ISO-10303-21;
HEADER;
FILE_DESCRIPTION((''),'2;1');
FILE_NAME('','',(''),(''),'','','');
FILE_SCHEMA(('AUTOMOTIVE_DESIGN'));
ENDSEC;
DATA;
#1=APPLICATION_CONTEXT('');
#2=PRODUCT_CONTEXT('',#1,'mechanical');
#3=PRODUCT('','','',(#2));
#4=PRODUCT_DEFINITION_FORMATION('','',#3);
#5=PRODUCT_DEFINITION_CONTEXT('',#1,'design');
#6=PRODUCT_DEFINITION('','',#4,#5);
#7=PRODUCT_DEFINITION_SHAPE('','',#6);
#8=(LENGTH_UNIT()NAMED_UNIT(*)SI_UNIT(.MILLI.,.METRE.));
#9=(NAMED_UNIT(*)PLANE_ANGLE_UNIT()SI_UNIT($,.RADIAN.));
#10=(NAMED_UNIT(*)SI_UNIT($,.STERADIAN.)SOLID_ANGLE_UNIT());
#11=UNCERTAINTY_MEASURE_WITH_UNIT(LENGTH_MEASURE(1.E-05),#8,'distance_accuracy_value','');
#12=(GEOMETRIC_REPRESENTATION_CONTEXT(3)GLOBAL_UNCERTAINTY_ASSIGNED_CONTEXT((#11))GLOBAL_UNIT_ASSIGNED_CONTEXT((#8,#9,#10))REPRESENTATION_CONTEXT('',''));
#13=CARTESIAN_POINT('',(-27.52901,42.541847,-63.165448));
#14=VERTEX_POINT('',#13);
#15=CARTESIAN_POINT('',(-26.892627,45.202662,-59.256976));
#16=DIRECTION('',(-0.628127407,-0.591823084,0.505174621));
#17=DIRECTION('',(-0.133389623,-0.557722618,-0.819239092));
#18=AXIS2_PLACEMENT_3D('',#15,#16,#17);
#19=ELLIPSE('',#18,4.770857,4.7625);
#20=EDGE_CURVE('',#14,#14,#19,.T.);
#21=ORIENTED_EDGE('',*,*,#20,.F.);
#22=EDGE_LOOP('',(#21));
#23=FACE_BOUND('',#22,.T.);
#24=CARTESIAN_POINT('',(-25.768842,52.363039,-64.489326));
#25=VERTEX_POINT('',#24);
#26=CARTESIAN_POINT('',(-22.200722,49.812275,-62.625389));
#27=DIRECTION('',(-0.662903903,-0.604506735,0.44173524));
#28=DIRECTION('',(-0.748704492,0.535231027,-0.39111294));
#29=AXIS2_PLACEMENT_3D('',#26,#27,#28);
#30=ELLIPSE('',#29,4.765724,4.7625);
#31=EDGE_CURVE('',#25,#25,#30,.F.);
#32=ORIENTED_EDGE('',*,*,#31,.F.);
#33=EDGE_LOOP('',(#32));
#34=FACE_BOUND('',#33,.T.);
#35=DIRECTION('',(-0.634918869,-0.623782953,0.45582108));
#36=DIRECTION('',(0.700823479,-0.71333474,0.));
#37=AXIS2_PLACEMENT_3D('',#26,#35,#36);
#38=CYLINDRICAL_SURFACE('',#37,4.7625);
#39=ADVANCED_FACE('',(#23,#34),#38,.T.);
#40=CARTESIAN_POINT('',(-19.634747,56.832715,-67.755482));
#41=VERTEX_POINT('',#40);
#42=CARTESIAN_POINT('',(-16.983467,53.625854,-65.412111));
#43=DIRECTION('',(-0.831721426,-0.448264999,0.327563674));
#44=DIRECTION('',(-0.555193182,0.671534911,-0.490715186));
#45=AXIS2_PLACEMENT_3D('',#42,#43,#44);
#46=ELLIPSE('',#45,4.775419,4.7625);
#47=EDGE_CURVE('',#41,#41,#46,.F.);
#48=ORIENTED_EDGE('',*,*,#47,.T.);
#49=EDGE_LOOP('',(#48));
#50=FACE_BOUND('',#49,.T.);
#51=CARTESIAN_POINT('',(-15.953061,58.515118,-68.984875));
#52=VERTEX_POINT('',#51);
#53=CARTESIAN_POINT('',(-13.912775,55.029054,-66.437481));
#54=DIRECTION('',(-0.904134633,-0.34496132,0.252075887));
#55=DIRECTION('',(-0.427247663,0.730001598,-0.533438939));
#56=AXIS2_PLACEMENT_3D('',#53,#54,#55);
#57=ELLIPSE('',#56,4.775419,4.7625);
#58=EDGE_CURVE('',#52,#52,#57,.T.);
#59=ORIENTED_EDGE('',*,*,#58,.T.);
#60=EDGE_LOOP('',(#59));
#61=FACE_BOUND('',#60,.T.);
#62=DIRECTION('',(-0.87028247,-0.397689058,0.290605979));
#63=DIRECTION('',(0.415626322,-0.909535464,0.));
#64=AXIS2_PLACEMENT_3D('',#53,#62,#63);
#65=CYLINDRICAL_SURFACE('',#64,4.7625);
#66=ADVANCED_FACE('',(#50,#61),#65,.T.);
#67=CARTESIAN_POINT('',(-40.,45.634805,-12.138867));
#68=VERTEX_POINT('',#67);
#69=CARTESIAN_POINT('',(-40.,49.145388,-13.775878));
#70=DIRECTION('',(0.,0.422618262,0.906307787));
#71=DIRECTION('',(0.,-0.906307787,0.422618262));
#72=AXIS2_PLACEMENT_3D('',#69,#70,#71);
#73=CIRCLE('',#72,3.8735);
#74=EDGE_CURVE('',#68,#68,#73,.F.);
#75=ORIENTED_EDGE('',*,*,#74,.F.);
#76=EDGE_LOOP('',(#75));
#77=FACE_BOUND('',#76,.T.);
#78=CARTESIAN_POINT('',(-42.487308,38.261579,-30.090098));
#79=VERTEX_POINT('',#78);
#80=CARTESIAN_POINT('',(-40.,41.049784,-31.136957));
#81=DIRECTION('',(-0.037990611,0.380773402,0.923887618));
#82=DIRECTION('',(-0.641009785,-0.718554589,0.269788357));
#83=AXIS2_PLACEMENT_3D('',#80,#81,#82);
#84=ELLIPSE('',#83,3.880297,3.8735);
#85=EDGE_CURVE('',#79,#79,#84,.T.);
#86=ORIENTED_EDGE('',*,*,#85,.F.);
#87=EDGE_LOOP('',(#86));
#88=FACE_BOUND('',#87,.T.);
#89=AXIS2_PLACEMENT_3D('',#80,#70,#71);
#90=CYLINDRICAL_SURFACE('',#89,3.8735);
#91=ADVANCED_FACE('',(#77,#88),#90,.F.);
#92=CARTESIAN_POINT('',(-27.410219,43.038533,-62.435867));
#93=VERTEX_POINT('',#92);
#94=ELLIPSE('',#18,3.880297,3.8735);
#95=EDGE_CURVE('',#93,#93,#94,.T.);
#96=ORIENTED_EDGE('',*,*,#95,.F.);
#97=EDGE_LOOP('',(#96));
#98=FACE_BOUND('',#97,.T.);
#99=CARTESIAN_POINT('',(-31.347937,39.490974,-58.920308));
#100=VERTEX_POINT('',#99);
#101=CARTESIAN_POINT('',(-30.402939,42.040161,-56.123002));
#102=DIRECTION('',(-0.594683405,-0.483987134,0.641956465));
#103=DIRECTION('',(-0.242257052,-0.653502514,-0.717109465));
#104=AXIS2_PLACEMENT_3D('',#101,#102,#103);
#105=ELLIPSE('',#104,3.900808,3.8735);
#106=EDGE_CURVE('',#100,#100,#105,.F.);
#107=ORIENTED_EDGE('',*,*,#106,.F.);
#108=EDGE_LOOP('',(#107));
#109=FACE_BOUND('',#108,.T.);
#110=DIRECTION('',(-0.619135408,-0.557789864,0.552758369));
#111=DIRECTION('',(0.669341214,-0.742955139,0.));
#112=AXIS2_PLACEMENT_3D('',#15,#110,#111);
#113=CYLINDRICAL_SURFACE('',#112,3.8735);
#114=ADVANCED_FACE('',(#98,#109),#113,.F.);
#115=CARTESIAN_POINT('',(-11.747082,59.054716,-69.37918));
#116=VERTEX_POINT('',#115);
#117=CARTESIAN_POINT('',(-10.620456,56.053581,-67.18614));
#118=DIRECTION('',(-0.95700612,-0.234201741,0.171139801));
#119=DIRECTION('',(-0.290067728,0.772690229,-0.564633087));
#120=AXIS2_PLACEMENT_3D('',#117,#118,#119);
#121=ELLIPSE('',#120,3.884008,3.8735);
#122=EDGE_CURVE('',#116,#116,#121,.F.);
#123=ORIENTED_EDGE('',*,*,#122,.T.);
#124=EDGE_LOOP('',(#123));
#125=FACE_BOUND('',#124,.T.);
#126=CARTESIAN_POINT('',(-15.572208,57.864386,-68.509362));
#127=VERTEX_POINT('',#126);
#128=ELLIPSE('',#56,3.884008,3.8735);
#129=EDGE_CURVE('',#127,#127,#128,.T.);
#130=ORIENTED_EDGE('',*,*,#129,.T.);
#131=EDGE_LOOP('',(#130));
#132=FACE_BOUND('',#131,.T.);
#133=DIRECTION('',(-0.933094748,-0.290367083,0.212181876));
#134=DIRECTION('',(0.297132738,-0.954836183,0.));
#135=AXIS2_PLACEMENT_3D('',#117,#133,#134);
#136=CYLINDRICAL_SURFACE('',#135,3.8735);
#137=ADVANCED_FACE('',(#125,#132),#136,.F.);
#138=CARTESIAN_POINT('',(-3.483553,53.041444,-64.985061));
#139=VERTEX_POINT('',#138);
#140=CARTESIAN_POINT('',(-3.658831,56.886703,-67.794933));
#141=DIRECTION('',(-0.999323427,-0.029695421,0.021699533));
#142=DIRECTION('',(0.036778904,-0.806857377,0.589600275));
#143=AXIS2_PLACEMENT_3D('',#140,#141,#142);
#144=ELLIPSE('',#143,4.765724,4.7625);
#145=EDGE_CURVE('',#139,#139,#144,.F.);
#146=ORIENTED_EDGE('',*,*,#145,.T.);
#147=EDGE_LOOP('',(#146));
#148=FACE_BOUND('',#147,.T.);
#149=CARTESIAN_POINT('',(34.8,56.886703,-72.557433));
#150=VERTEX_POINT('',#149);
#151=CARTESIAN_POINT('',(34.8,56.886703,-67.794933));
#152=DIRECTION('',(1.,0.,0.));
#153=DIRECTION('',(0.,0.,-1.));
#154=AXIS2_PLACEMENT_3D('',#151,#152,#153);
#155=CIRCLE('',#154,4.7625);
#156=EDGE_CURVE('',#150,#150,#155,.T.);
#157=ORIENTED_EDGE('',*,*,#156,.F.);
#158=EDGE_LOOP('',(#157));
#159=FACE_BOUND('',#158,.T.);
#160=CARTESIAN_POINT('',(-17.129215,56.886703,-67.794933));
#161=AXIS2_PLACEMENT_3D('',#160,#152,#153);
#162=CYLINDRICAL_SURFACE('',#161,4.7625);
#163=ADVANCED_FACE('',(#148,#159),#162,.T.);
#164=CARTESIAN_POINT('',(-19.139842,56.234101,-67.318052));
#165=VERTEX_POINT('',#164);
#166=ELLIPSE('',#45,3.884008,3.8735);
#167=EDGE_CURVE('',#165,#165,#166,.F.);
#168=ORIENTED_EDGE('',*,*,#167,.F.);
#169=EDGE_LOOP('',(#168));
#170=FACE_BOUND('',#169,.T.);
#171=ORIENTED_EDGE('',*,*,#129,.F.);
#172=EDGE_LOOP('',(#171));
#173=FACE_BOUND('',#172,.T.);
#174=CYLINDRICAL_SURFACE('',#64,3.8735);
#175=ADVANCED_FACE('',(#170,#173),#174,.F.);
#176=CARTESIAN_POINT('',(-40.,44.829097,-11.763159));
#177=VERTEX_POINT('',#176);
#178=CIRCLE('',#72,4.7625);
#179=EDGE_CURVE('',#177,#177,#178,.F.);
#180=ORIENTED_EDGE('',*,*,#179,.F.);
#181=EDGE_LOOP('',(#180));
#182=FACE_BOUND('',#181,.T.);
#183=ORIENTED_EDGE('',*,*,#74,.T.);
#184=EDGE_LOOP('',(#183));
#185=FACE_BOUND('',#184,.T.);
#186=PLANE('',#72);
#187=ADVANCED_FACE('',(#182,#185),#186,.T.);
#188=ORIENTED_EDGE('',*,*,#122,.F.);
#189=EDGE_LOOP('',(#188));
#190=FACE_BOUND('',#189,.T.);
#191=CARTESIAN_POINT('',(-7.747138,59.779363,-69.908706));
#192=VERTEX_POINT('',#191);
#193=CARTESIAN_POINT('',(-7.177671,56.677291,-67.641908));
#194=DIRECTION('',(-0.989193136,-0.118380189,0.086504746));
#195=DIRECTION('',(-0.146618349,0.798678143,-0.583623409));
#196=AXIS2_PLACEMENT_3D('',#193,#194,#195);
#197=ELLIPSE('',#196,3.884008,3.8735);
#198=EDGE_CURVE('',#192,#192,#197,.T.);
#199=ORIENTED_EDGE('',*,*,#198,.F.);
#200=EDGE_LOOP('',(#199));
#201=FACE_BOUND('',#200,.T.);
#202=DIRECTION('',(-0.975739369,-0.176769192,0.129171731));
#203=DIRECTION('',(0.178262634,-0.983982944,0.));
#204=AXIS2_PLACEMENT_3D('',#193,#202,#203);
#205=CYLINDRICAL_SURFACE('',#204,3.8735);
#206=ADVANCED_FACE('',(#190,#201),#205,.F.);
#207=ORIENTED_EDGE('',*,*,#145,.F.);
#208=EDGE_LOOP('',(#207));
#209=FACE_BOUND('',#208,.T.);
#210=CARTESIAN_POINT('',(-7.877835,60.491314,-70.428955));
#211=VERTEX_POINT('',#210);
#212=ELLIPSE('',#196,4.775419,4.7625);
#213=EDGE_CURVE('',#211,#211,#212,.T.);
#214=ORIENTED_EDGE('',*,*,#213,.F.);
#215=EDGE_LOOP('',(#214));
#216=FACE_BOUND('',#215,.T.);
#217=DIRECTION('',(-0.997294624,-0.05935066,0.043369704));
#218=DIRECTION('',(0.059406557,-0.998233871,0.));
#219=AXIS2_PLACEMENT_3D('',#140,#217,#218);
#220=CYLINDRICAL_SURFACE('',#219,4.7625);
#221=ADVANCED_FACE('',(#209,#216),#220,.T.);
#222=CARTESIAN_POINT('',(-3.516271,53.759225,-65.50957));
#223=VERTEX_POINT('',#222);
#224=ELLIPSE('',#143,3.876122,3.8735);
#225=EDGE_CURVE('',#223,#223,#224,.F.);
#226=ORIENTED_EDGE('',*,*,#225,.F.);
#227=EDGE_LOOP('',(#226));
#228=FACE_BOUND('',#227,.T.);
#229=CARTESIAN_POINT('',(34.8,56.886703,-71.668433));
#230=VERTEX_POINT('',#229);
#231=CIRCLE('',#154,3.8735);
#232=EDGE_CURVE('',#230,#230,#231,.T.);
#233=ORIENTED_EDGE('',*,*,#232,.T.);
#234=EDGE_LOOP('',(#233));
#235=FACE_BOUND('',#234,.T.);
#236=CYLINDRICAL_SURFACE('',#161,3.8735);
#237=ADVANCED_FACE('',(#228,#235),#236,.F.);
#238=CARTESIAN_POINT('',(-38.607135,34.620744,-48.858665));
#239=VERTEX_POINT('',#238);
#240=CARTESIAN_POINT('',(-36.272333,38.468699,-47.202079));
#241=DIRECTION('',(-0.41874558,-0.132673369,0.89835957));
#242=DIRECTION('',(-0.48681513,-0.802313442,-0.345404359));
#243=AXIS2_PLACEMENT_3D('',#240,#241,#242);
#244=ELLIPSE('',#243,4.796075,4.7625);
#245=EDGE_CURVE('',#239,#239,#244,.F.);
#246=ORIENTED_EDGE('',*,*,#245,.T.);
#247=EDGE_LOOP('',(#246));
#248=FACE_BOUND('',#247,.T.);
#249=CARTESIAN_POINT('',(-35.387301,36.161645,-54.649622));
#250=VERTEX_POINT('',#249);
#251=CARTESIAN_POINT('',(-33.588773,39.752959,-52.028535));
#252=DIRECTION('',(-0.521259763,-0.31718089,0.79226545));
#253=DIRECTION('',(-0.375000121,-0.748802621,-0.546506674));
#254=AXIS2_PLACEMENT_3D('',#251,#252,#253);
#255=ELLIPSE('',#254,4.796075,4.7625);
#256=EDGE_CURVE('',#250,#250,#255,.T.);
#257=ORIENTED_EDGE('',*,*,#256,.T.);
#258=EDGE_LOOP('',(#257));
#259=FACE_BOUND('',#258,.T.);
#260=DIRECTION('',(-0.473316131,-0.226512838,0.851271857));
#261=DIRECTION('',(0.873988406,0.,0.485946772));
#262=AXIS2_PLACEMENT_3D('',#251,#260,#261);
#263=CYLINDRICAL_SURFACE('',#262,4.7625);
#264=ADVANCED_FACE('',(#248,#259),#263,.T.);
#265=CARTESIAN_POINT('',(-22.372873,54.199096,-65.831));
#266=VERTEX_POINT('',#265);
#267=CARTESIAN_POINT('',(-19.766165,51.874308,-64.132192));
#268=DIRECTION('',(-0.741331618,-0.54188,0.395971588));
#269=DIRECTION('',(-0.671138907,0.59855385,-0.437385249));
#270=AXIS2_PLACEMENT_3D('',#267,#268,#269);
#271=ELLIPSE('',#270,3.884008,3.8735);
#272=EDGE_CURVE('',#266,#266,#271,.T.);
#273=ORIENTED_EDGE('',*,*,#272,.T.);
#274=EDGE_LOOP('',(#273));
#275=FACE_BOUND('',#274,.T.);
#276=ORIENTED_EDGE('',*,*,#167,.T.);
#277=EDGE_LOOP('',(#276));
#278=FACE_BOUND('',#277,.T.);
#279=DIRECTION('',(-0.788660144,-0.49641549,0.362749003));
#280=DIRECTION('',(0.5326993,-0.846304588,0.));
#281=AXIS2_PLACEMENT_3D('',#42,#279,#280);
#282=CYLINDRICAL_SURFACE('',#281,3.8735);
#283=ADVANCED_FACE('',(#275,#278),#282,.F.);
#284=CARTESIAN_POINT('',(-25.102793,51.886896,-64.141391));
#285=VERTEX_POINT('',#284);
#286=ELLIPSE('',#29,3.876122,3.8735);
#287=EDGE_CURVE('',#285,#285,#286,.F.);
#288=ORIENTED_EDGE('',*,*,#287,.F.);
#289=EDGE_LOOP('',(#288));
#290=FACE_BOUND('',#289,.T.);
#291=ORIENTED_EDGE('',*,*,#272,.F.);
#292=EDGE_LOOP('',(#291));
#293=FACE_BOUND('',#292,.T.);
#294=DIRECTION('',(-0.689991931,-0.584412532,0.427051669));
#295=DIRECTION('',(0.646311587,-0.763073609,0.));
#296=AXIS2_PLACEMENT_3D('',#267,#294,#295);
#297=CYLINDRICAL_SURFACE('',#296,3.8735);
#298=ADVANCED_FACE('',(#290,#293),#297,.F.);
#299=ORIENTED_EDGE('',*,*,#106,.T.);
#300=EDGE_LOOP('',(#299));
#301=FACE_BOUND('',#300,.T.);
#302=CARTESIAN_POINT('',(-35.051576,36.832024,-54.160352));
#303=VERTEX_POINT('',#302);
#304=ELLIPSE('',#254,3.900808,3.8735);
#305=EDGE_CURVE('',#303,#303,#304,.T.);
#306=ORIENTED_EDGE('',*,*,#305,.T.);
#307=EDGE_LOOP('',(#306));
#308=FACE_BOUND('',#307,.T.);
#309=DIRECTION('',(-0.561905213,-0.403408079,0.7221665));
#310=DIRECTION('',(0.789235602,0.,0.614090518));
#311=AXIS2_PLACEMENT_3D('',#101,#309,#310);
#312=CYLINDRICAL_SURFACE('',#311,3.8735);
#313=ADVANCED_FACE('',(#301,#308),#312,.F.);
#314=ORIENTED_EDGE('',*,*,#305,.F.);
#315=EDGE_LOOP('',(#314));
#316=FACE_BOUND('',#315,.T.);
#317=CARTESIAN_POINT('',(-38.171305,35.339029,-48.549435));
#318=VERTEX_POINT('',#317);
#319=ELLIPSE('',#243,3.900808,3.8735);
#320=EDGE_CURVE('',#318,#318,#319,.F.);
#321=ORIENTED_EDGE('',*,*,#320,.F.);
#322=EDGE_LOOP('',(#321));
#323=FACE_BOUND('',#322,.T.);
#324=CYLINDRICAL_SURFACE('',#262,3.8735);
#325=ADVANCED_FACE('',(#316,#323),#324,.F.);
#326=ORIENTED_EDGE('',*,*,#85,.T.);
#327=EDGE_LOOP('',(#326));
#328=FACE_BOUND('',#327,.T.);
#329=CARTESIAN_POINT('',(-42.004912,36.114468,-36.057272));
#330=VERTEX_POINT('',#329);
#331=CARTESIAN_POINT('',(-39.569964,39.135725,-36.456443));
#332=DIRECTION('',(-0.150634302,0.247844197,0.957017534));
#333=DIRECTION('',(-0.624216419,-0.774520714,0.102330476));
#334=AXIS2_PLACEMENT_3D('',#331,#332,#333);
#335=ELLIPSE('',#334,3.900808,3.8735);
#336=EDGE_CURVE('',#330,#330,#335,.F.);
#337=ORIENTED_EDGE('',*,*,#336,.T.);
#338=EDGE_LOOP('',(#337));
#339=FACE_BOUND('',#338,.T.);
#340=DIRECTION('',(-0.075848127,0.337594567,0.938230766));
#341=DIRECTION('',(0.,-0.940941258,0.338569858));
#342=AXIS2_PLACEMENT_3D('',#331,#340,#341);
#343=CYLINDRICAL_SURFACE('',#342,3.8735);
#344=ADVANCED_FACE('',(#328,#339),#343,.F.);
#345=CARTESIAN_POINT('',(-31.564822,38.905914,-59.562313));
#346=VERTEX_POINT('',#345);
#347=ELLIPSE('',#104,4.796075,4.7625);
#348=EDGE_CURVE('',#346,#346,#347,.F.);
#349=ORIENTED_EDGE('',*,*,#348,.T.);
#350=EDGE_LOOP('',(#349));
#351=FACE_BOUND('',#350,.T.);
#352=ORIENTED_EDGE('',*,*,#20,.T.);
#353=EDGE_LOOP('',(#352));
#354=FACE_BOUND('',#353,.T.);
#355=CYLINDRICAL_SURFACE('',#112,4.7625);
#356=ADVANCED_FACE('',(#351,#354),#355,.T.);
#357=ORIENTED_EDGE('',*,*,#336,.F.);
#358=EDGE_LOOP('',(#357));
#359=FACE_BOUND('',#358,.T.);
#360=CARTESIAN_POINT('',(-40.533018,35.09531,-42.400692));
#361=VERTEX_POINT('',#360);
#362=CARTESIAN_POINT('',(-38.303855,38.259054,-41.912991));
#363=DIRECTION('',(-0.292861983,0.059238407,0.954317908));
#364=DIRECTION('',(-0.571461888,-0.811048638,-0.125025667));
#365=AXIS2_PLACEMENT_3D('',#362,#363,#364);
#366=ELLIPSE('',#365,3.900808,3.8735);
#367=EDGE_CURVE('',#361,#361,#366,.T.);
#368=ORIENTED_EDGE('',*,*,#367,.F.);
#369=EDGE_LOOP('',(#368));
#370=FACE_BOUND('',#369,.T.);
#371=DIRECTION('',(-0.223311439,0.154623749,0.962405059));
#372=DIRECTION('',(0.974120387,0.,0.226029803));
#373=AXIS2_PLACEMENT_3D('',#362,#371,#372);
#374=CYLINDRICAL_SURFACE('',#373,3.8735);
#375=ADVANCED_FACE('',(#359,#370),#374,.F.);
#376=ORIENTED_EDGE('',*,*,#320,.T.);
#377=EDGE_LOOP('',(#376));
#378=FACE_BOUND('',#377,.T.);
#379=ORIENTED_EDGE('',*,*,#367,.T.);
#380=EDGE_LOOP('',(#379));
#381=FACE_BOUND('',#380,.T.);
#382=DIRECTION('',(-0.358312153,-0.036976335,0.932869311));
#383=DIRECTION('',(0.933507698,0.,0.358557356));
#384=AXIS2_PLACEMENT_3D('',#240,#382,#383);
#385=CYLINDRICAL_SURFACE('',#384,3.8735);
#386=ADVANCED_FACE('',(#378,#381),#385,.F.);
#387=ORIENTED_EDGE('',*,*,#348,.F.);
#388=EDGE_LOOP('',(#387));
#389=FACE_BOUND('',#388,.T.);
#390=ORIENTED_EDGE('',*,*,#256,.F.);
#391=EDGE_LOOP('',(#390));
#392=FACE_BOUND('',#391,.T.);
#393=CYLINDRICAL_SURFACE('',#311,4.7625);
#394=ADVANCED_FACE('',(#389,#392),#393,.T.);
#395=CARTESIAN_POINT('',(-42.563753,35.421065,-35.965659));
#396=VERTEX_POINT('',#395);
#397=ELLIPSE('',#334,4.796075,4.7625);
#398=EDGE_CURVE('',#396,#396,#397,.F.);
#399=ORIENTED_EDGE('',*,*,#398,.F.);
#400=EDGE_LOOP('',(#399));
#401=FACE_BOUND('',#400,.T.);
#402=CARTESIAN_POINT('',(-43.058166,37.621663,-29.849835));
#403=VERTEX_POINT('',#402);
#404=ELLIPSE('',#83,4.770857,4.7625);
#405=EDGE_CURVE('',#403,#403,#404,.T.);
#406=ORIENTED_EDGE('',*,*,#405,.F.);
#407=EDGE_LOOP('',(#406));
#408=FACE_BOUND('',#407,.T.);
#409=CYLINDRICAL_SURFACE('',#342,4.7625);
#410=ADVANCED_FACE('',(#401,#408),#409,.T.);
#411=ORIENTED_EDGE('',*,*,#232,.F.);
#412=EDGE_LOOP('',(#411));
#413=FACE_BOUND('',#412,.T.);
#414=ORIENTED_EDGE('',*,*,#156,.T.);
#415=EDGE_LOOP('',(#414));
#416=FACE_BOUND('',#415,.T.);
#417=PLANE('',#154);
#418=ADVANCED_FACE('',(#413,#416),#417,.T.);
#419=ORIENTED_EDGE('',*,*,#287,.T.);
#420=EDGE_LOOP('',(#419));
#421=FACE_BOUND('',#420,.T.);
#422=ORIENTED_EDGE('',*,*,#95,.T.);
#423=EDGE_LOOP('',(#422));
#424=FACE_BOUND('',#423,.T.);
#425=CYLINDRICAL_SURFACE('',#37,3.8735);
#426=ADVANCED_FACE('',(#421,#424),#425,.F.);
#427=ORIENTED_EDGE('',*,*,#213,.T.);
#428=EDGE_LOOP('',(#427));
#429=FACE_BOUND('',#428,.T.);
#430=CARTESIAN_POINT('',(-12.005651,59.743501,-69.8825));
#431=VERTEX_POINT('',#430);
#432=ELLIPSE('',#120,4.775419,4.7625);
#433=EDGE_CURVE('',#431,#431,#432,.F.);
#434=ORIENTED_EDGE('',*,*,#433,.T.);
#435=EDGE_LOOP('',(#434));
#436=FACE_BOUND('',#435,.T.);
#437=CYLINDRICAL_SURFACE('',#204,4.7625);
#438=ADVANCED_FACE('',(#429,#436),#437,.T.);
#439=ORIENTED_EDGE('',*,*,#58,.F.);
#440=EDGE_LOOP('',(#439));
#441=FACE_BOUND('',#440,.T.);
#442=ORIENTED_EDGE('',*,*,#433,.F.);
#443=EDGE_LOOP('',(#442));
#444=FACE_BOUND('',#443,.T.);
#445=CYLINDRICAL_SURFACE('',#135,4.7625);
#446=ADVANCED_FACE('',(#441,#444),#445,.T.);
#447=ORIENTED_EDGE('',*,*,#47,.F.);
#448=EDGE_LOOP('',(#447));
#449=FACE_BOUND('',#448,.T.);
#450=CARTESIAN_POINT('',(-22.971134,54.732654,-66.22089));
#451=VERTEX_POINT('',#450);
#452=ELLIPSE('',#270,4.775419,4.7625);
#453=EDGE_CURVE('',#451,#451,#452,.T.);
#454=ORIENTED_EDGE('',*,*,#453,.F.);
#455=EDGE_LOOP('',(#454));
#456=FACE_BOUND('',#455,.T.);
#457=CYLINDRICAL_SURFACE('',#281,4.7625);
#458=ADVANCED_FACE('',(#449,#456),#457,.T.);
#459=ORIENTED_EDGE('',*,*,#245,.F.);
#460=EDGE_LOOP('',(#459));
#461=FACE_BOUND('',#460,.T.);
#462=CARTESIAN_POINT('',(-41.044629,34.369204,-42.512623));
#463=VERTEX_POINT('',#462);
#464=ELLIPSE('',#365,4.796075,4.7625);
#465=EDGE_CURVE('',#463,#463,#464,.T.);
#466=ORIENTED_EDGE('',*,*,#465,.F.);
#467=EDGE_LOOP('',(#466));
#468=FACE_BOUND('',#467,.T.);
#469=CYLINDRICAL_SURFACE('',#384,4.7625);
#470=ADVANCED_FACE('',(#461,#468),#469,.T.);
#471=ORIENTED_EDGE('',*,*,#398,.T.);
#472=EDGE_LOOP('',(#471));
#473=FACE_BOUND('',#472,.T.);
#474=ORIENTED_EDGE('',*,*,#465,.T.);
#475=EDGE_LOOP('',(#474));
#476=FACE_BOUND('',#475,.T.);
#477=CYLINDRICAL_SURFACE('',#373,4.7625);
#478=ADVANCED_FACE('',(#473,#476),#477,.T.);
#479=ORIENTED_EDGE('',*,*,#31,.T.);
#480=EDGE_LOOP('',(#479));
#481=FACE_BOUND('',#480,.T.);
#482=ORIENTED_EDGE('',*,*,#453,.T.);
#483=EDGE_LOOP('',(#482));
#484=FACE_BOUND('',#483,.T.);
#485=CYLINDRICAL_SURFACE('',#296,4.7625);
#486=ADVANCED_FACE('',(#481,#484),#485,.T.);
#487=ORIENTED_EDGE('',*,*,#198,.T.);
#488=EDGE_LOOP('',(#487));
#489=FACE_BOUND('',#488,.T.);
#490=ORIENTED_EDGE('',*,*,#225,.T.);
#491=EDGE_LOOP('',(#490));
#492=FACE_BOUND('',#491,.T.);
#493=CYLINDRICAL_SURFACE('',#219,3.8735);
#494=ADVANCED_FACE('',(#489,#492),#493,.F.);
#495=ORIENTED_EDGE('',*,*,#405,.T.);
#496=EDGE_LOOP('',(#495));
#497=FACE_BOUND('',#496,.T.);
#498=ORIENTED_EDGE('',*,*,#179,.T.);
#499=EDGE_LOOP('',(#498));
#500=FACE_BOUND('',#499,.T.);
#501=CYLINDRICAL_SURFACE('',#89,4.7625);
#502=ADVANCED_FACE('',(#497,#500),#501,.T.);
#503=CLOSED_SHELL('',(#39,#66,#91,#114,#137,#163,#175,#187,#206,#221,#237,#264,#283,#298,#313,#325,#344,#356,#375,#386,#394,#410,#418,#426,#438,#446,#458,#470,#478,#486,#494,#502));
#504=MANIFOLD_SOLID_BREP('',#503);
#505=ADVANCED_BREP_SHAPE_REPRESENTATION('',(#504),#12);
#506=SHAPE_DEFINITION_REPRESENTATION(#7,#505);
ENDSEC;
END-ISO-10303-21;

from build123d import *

# Parameters (mm, degrees)
PROFILE_R   = 4.7625
PROFILE_R_2 = 3.8735


with BuildPart() as part:
    # Tube: sweep along a curve in space
    with BuildLine() as tube_path:
        Line((34.8, 56.886703457, -67.794933216), (-3.658830738, 56.886703457, -67.794933216))
        Line((-3.658830738, 56.886703457, -67.794933216), (-7.177671109, 56.677291419, -67.64190816))
        Line((-7.177671109, 56.677291419, -67.64190816), (-10.620456219, 56.05358148, -67.186140434))
        Line((-10.620456219, 56.05358148, -67.186140434), (-13.912774646, 55.029054336, -66.437480878))
        Line((-13.912774646, 55.029054336, -66.437480878), (-16.983467114, 53.62585384, -65.412110816))
        Line((-16.983467114, 53.62585384, -65.412110816), (-19.766164508, 51.874308385, -64.132192319))
        Line((-19.766164508, 51.874308385, -64.132192319), (-22.200722363, 49.812275401, -62.625389198))
        Line((-22.200722363, 49.812275401, -62.625389198), (-26.892627421, 45.202662211, -59.256975793))
        Line((-26.892627421, 45.202662211, -59.256975793), (-30.402939092, 42.040161338, -56.123001981))
        Line((-30.402939092, 42.040161338, -56.123001981), (-33.588772762, 39.752958781, -52.028534988))
        Line((-33.588772762, 39.752958781, -52.028534988), (-36.272332962, 38.468699075, -47.202079423))
        Line((-36.272332962, 38.468699075, -47.202079423), (-38.303855175, 38.25905437, -41.91299082))
        Line((-38.303855175, 38.25905437, -41.91299082), (-39.569963915, 39.13572455, -36.456443402))
        Line((-39.569963915, 39.13572455, -36.456443402), (-40, 41.049784277, -31.136956962))
        Line((-40, 41.049784277, -31.136956962), (-40, 49.145388181, -13.775878363))
    # Profile → Tube (sweep)
    with BuildSketch(Plane(origin=(34.8, 0, 0), x_dir=(0, 0, -1), z_dir=(1, 0, 0))):
        with Locations((67.794933216, 56.886703457)):
            Circle(PROFILE_R)
        with Locations((67.794933216, 56.886703457)):
            Circle(PROFILE_R_2, mode=Mode.SUBTRACT)
    sweep(path=tube_path.line, transition=Transition.RIGHT)


solid = part.part
